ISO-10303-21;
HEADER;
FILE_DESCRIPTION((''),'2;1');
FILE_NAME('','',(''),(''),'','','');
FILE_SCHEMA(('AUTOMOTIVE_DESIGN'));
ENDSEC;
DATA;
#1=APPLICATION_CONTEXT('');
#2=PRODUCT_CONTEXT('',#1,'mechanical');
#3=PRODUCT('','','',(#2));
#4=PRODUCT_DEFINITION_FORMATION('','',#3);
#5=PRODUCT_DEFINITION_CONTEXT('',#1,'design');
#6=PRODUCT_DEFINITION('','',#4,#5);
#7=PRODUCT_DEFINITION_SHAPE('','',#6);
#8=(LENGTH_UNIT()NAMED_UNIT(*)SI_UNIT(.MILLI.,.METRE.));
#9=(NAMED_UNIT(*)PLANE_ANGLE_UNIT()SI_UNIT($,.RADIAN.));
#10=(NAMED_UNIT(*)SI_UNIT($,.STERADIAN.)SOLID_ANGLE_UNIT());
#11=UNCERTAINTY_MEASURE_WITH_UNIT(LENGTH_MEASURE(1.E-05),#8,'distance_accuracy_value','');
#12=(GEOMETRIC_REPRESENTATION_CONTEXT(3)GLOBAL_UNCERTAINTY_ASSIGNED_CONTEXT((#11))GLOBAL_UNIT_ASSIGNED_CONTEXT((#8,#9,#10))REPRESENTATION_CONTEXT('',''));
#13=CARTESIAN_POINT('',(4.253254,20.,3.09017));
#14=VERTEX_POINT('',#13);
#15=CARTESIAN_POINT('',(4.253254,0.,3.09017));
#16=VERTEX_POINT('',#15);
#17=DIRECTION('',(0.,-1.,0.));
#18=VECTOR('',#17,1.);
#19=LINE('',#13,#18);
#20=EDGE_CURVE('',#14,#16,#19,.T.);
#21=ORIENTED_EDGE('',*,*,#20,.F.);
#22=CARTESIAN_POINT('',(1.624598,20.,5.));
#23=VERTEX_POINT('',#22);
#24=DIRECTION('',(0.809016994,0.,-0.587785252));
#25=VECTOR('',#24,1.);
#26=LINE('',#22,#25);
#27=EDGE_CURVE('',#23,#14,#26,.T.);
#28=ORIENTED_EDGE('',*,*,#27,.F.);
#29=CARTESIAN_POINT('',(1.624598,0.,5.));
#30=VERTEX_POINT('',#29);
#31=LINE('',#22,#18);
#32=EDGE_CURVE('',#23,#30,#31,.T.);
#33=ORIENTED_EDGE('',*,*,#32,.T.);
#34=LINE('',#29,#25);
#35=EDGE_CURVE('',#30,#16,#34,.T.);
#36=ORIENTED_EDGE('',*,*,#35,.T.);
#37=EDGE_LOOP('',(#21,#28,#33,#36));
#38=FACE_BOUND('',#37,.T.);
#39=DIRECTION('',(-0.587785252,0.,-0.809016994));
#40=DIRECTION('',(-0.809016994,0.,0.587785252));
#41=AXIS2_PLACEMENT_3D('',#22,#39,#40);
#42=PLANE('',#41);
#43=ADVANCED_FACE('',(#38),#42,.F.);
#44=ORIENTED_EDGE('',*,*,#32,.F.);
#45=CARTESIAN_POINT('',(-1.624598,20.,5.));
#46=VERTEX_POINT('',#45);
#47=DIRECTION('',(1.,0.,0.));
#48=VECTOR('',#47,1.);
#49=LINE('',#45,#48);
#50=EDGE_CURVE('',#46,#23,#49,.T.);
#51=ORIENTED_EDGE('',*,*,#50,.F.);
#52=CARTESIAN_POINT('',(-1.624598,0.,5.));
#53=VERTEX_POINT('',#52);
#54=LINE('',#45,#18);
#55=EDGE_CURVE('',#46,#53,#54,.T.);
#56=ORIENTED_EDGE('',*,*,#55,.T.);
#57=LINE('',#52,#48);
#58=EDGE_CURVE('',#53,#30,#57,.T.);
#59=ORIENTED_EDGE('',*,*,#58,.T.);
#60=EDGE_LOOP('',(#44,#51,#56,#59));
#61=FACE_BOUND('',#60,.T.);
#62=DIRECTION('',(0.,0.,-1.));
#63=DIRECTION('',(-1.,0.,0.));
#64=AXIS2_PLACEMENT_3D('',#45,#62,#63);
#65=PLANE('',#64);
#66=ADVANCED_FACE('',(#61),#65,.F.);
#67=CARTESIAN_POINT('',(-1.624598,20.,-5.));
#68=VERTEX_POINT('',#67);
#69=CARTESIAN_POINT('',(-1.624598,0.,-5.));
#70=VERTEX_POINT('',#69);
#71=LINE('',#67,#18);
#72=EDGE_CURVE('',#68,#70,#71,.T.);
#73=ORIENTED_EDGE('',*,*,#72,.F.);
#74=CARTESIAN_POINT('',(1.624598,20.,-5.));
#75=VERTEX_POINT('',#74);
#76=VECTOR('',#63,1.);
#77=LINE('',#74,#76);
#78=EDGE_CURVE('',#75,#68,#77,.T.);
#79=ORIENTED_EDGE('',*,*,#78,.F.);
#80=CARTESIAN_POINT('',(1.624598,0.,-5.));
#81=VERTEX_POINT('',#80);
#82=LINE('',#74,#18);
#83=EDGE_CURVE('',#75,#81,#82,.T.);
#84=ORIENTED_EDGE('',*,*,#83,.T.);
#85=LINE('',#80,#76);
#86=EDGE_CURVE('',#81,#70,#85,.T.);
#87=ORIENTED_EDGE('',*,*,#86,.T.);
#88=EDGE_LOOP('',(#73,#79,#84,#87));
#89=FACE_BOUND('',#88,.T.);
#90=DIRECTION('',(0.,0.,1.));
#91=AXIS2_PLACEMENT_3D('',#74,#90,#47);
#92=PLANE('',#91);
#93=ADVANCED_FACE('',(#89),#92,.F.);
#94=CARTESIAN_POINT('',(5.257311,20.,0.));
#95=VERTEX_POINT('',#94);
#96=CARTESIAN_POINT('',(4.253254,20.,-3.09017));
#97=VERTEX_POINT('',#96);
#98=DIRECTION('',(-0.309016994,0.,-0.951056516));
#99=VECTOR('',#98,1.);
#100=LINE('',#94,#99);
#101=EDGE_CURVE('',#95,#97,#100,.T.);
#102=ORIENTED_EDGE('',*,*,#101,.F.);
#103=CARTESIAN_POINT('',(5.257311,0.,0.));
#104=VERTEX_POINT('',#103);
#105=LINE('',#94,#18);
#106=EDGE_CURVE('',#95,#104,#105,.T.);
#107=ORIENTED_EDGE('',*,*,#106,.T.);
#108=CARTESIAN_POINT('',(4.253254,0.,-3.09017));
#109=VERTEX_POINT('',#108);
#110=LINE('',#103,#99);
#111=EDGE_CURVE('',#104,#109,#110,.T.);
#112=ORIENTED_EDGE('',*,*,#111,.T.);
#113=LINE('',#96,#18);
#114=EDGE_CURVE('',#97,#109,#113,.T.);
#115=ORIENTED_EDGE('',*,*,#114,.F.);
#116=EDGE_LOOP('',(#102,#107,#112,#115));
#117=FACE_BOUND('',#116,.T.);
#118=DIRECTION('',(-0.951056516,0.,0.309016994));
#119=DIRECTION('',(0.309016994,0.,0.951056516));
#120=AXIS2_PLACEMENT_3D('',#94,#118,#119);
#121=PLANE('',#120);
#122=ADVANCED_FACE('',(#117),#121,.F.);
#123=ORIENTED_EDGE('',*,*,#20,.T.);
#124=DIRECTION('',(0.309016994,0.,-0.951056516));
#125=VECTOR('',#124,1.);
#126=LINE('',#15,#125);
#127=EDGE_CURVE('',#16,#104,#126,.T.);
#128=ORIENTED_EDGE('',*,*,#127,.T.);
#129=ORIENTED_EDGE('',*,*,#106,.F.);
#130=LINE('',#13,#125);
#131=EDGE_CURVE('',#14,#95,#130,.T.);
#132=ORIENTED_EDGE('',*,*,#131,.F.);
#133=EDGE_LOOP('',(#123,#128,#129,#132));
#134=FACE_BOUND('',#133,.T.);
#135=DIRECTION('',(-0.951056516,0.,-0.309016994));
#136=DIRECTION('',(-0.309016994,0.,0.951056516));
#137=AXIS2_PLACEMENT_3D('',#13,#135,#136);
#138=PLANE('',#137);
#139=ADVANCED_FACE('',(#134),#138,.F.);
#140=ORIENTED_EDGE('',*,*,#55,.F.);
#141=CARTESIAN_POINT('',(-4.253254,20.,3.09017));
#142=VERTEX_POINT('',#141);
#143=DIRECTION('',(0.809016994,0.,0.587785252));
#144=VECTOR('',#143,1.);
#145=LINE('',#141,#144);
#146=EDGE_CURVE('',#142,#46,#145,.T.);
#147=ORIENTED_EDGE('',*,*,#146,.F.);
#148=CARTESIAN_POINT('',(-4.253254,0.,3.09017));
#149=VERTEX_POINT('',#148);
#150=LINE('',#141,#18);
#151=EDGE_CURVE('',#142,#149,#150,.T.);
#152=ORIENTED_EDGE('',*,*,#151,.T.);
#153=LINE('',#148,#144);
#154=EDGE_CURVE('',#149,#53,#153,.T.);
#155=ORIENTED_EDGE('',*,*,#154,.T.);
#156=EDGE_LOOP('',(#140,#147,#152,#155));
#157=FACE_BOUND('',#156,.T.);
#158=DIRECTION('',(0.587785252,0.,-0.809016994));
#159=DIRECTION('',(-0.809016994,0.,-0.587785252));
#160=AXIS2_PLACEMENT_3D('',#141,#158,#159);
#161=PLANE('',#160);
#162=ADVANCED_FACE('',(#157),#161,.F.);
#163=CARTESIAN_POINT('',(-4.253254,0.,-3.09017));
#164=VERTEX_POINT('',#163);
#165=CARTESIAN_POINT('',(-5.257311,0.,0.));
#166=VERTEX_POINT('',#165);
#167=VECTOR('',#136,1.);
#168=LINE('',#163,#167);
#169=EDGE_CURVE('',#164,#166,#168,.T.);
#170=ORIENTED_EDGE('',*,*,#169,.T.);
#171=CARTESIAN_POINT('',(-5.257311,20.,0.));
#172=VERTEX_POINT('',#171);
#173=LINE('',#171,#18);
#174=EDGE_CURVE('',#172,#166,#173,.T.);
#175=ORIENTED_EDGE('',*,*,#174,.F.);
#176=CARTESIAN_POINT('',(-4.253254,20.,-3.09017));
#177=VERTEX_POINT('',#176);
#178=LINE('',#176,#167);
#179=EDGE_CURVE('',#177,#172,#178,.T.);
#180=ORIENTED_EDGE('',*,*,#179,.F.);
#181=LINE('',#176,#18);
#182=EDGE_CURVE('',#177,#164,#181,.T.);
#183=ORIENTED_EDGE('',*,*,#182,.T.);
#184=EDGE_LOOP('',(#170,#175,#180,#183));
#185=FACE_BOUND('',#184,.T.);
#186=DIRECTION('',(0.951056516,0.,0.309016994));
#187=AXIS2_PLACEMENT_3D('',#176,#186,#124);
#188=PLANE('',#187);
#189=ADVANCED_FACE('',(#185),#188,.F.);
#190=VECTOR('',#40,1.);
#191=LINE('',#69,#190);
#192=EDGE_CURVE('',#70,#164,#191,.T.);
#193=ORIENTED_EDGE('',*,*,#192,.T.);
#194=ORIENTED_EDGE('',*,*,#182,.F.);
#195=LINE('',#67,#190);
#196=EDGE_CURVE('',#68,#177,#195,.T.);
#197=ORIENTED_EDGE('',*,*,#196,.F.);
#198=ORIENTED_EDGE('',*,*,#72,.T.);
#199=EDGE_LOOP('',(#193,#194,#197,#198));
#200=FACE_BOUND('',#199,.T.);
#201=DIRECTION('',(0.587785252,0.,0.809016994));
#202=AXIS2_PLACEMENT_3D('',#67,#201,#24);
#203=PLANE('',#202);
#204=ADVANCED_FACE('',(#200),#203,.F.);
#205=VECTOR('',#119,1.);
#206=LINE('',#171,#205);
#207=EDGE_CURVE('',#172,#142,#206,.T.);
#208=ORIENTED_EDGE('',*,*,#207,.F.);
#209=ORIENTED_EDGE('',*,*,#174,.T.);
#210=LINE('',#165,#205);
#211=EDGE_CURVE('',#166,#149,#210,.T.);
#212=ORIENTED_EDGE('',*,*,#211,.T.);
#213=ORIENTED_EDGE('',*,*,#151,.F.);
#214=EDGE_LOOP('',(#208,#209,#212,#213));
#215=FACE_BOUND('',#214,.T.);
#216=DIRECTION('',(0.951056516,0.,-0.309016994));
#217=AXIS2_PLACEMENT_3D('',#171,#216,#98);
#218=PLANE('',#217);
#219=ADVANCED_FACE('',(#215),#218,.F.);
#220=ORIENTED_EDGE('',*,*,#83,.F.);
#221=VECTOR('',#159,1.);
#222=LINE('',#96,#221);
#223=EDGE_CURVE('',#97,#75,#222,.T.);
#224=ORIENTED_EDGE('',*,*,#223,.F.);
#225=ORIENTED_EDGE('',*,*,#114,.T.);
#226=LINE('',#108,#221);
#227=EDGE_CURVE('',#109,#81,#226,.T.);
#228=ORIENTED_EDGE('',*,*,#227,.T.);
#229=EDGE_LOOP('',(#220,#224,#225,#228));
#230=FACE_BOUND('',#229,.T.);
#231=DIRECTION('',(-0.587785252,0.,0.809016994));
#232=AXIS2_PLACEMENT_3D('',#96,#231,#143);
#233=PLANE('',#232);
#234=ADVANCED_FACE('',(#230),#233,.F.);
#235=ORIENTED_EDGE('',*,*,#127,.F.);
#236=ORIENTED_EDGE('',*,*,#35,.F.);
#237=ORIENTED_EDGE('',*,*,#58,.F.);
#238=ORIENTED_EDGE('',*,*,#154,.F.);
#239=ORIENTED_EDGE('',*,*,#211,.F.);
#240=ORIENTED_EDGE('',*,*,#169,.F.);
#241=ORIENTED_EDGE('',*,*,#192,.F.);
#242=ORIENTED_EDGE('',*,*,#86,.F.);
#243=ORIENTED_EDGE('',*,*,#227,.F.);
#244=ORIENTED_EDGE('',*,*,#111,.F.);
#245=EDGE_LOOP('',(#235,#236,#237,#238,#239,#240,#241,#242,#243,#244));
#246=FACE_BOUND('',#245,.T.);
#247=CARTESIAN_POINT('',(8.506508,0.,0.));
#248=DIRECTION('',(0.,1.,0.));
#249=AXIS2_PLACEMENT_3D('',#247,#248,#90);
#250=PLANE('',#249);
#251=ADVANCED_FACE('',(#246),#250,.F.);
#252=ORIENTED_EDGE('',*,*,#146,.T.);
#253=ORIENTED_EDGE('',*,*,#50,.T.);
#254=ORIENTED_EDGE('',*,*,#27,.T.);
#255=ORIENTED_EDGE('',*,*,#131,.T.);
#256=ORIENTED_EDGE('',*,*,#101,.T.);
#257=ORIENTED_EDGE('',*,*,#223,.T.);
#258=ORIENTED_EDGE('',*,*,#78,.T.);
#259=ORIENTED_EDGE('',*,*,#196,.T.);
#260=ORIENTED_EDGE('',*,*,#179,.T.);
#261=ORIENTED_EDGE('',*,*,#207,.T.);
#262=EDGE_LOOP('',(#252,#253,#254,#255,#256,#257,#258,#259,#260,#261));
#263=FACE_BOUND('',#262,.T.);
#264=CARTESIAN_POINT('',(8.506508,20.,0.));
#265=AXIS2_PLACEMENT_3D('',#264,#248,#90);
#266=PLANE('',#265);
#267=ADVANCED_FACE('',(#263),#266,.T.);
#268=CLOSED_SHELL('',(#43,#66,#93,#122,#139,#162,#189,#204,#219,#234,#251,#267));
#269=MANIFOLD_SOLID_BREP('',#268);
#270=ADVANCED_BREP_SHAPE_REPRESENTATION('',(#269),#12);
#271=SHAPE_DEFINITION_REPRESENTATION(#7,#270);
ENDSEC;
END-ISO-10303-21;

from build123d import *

# Parameters (mm, degrees)
EXTRUDE1_DEPTH = 20


with BuildPart() as part:
    # Sketch1 → Extrude1 (new body)
    with BuildSketch(Plane(origin=(0, 0, 0), x_dir=(1, 0, 0), z_dir=(0, 1, 0))):
        Polygon((4.253254042, -3.090169944), (5.257311121, 0), (4.253254042, 3.090169944), (1.624598481, 5), (-1.624598481, 5), (-4.253254042, 3.090169944), (-5.257311121, 0), (-4.253254042, -3.090169944), (-1.624598481, -5), (1.624598481, -5), align=None)
    extrude(amount=EXTRUDE1_DEPTH)


solid = part.part
